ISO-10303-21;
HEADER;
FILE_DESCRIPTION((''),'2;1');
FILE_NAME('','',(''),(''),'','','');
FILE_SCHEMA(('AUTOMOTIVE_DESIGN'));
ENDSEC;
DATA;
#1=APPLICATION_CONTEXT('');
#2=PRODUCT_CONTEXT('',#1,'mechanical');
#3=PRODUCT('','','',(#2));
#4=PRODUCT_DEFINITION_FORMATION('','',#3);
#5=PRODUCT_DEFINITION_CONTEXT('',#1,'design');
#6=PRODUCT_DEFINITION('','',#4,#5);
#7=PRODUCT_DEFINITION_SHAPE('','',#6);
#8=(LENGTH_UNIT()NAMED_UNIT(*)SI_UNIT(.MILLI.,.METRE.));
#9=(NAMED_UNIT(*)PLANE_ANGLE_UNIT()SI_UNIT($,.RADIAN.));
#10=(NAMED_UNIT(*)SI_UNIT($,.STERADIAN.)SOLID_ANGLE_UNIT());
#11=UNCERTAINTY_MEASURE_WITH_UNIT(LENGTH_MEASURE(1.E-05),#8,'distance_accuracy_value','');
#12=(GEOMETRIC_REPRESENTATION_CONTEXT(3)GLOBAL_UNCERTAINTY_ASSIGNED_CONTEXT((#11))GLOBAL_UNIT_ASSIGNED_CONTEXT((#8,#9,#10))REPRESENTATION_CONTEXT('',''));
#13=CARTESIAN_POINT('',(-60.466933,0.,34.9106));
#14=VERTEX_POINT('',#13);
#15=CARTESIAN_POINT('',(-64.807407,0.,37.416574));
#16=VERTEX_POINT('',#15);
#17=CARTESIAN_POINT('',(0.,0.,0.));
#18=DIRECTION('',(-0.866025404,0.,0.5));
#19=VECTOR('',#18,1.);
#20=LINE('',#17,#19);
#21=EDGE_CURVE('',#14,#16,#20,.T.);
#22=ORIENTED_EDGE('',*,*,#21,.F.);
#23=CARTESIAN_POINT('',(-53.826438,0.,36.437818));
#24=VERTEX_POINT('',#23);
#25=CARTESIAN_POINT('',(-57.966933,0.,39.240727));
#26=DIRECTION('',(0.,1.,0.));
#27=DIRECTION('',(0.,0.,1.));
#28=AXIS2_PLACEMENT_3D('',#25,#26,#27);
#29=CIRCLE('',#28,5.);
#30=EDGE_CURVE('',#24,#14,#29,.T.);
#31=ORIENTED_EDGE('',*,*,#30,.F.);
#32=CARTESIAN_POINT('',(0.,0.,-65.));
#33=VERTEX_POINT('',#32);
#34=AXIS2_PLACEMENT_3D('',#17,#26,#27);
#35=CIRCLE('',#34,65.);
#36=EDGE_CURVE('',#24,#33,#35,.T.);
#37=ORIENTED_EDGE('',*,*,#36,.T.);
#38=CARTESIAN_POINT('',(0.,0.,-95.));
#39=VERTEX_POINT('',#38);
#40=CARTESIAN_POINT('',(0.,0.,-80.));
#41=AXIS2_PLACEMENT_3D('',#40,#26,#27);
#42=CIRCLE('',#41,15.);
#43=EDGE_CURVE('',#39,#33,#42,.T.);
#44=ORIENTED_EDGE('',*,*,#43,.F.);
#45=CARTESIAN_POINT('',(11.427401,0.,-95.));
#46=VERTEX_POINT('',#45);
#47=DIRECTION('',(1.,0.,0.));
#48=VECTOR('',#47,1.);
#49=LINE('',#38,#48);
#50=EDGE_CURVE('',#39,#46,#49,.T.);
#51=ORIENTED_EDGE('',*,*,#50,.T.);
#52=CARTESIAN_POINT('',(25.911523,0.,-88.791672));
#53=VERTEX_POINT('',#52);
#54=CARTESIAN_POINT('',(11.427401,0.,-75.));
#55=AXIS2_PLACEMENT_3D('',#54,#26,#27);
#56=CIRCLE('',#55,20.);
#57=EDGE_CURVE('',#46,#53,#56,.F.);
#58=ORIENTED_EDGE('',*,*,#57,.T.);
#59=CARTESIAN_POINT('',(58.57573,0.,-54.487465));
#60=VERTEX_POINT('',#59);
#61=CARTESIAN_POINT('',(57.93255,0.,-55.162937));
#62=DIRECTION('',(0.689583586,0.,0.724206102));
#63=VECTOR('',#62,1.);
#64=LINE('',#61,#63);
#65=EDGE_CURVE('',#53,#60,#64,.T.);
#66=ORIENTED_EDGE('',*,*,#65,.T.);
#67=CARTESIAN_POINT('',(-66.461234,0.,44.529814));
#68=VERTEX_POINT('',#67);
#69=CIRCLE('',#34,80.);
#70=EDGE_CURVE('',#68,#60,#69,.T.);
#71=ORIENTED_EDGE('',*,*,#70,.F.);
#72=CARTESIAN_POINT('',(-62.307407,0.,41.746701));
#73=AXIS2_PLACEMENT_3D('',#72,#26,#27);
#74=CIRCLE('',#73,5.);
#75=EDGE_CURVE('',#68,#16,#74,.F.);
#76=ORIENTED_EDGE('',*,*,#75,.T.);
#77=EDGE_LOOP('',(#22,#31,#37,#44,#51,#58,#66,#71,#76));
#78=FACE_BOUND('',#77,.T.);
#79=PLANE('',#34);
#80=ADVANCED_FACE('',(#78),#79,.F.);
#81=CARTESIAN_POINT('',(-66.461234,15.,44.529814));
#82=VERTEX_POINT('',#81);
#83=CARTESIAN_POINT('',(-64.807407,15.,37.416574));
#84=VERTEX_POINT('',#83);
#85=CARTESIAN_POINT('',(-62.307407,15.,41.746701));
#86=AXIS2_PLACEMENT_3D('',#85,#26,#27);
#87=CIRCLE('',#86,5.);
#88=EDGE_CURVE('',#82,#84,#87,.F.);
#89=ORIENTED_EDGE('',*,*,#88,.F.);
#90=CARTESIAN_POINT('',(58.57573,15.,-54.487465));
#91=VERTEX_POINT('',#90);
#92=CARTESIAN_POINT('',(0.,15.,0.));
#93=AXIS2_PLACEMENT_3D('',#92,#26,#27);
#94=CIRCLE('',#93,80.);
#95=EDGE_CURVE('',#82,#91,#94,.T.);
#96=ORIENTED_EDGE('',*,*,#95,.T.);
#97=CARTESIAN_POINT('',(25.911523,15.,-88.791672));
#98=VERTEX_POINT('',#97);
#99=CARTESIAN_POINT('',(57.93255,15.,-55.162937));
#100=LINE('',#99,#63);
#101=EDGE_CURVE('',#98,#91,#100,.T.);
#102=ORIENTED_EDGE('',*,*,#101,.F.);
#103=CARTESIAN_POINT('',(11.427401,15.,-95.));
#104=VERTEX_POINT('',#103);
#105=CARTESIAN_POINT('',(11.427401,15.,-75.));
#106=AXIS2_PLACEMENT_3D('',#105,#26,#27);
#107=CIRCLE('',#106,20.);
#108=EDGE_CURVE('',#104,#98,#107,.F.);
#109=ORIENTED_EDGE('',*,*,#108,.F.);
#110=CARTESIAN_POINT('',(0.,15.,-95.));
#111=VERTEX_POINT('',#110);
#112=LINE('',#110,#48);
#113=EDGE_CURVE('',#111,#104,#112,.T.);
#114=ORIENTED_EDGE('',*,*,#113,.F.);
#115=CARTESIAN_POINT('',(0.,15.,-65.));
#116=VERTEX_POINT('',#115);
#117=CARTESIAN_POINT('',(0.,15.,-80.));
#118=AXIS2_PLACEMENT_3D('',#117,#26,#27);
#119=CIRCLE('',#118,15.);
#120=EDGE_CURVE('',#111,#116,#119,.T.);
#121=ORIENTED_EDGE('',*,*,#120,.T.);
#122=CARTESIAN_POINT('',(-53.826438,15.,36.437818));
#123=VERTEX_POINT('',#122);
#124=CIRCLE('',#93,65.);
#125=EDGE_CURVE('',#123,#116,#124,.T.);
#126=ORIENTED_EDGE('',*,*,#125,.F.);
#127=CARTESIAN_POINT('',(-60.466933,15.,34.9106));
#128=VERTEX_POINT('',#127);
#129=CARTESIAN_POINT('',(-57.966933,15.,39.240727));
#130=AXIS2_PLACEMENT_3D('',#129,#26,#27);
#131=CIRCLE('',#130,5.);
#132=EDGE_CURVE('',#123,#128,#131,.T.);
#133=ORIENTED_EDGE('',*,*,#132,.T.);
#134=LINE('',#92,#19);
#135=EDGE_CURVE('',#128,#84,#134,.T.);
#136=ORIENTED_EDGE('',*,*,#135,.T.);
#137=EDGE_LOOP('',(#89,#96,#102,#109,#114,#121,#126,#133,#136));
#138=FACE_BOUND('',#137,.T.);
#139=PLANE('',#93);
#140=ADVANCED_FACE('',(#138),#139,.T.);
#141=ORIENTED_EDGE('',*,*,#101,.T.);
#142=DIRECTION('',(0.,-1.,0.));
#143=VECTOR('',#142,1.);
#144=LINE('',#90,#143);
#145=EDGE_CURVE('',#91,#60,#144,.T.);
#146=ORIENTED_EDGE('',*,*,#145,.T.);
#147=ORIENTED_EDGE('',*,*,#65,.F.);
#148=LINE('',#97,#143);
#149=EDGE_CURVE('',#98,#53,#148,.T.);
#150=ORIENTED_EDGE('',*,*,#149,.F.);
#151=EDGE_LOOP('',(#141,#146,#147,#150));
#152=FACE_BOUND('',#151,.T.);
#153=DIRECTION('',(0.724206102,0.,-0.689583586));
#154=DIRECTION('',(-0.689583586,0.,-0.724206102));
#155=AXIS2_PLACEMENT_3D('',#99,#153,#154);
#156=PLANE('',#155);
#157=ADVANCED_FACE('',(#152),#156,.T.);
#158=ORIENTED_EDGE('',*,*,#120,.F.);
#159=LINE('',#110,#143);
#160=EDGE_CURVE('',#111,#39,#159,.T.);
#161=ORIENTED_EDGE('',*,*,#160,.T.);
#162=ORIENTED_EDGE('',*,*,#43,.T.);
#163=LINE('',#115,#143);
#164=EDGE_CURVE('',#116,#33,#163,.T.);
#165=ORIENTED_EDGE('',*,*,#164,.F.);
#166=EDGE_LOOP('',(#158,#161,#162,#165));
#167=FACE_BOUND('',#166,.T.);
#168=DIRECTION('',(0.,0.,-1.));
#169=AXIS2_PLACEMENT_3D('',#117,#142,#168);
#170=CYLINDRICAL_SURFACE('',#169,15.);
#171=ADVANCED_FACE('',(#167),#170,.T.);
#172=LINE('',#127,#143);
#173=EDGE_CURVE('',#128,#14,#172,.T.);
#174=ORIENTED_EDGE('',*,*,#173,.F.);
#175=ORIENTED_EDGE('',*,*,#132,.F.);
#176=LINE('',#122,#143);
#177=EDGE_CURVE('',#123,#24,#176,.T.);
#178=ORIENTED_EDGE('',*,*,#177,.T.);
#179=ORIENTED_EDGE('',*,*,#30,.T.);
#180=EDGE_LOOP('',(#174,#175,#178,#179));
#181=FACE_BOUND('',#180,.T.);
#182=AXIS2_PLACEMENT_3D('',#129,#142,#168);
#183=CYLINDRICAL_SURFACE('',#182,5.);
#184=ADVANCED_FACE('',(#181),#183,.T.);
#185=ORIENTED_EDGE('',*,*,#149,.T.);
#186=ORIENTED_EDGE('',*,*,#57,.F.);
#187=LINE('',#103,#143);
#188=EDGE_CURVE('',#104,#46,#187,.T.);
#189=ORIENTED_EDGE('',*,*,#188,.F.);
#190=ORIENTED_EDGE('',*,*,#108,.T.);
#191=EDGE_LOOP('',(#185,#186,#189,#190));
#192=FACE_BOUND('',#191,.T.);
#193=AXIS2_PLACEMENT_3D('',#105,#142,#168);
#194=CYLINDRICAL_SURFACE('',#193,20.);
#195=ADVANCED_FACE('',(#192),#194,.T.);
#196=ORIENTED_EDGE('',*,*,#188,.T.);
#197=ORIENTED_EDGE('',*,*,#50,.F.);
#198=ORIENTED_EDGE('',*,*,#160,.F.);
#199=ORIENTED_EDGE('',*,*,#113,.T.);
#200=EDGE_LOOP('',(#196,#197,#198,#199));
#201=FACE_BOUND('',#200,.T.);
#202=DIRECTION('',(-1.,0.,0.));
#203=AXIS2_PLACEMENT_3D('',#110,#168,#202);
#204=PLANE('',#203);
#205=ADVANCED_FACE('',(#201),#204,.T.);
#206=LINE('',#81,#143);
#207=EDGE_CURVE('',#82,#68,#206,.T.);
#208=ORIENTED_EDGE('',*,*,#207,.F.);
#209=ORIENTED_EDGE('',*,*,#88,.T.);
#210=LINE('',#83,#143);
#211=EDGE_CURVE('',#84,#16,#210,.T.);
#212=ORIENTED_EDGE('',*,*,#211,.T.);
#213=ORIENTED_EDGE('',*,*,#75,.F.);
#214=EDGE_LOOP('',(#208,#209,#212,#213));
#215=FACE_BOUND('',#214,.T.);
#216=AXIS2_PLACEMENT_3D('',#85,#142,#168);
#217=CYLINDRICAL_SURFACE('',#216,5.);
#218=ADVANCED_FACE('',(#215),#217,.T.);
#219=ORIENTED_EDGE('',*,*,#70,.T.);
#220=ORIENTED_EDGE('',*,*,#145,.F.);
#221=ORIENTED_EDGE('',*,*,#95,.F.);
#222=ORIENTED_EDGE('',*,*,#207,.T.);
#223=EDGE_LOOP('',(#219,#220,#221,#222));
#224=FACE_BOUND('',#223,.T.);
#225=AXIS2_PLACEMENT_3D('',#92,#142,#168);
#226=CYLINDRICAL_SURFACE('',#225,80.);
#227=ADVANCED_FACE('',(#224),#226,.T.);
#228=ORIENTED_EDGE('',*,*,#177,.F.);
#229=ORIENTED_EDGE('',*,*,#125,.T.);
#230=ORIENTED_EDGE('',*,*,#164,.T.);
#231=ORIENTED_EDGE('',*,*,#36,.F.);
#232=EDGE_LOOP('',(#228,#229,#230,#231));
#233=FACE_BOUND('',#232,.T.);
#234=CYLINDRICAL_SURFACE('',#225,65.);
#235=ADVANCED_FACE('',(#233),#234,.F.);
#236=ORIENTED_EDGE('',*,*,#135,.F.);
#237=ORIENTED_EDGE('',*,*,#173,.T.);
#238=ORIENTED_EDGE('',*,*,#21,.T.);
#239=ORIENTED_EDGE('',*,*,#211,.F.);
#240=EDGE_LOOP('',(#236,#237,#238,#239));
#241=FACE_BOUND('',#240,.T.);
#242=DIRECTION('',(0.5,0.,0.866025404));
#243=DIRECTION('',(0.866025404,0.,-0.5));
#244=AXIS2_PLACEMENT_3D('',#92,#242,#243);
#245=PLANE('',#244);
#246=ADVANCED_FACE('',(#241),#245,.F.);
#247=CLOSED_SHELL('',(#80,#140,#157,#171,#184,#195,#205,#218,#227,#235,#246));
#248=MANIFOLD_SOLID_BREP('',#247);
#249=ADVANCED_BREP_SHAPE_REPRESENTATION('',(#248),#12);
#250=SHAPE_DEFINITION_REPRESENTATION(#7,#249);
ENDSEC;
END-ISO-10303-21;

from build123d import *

# Parameters (mm, degrees)
EXTRUDE_4_DEPTH = 15


with BuildPart() as part:
    # ｽｹｯﾁ2 → ﾎﾞｽ - 押し出し4 (new body)
    with BuildSketch(Plane(origin=(0, 0, 0), x_dir=(1, 0, 0), z_dir=(0, 1, 0))):
        with BuildLine():
            ThreePointArc((-53.82643789, -36.437818048), (-56.846261527, -34.367935813), (-60.466933112, -34.910600109))
            Line((-60.466933112, -34.910600109), (-64.807406984, -37.416573868))
            ThreePointArc((-64.807406984, -37.416573868), (-67.177509772, -40.614402853), (-66.461234116, -44.529814279))
            ThreePointArc((-66.461234116, -44.529814279), (49.665387485, -62.716419588), (58.57572973, 54.487465409))
            Line((58.57572973, 54.487465409), (57.289371136, 55.838409315))
            Line((57.289371136, 55.838409315), (25.911523347, 88.791671712))
            ThreePointArc((25.911523347, 88.791671712), (19.306695871, 93.382511176), (11.427401304, 95))
            Line((11.427401304, 95), (0, 95))
            ThreePointArc((0, 95), (-15, 80), (0, 65))
            ThreePointArc((0, 65), (57.41714976, -30.467538684), (-53.82643789, -36.437818048))
        make_face()
    extrude(amount=EXTRUDE_4_DEPTH)


solid = part.part
